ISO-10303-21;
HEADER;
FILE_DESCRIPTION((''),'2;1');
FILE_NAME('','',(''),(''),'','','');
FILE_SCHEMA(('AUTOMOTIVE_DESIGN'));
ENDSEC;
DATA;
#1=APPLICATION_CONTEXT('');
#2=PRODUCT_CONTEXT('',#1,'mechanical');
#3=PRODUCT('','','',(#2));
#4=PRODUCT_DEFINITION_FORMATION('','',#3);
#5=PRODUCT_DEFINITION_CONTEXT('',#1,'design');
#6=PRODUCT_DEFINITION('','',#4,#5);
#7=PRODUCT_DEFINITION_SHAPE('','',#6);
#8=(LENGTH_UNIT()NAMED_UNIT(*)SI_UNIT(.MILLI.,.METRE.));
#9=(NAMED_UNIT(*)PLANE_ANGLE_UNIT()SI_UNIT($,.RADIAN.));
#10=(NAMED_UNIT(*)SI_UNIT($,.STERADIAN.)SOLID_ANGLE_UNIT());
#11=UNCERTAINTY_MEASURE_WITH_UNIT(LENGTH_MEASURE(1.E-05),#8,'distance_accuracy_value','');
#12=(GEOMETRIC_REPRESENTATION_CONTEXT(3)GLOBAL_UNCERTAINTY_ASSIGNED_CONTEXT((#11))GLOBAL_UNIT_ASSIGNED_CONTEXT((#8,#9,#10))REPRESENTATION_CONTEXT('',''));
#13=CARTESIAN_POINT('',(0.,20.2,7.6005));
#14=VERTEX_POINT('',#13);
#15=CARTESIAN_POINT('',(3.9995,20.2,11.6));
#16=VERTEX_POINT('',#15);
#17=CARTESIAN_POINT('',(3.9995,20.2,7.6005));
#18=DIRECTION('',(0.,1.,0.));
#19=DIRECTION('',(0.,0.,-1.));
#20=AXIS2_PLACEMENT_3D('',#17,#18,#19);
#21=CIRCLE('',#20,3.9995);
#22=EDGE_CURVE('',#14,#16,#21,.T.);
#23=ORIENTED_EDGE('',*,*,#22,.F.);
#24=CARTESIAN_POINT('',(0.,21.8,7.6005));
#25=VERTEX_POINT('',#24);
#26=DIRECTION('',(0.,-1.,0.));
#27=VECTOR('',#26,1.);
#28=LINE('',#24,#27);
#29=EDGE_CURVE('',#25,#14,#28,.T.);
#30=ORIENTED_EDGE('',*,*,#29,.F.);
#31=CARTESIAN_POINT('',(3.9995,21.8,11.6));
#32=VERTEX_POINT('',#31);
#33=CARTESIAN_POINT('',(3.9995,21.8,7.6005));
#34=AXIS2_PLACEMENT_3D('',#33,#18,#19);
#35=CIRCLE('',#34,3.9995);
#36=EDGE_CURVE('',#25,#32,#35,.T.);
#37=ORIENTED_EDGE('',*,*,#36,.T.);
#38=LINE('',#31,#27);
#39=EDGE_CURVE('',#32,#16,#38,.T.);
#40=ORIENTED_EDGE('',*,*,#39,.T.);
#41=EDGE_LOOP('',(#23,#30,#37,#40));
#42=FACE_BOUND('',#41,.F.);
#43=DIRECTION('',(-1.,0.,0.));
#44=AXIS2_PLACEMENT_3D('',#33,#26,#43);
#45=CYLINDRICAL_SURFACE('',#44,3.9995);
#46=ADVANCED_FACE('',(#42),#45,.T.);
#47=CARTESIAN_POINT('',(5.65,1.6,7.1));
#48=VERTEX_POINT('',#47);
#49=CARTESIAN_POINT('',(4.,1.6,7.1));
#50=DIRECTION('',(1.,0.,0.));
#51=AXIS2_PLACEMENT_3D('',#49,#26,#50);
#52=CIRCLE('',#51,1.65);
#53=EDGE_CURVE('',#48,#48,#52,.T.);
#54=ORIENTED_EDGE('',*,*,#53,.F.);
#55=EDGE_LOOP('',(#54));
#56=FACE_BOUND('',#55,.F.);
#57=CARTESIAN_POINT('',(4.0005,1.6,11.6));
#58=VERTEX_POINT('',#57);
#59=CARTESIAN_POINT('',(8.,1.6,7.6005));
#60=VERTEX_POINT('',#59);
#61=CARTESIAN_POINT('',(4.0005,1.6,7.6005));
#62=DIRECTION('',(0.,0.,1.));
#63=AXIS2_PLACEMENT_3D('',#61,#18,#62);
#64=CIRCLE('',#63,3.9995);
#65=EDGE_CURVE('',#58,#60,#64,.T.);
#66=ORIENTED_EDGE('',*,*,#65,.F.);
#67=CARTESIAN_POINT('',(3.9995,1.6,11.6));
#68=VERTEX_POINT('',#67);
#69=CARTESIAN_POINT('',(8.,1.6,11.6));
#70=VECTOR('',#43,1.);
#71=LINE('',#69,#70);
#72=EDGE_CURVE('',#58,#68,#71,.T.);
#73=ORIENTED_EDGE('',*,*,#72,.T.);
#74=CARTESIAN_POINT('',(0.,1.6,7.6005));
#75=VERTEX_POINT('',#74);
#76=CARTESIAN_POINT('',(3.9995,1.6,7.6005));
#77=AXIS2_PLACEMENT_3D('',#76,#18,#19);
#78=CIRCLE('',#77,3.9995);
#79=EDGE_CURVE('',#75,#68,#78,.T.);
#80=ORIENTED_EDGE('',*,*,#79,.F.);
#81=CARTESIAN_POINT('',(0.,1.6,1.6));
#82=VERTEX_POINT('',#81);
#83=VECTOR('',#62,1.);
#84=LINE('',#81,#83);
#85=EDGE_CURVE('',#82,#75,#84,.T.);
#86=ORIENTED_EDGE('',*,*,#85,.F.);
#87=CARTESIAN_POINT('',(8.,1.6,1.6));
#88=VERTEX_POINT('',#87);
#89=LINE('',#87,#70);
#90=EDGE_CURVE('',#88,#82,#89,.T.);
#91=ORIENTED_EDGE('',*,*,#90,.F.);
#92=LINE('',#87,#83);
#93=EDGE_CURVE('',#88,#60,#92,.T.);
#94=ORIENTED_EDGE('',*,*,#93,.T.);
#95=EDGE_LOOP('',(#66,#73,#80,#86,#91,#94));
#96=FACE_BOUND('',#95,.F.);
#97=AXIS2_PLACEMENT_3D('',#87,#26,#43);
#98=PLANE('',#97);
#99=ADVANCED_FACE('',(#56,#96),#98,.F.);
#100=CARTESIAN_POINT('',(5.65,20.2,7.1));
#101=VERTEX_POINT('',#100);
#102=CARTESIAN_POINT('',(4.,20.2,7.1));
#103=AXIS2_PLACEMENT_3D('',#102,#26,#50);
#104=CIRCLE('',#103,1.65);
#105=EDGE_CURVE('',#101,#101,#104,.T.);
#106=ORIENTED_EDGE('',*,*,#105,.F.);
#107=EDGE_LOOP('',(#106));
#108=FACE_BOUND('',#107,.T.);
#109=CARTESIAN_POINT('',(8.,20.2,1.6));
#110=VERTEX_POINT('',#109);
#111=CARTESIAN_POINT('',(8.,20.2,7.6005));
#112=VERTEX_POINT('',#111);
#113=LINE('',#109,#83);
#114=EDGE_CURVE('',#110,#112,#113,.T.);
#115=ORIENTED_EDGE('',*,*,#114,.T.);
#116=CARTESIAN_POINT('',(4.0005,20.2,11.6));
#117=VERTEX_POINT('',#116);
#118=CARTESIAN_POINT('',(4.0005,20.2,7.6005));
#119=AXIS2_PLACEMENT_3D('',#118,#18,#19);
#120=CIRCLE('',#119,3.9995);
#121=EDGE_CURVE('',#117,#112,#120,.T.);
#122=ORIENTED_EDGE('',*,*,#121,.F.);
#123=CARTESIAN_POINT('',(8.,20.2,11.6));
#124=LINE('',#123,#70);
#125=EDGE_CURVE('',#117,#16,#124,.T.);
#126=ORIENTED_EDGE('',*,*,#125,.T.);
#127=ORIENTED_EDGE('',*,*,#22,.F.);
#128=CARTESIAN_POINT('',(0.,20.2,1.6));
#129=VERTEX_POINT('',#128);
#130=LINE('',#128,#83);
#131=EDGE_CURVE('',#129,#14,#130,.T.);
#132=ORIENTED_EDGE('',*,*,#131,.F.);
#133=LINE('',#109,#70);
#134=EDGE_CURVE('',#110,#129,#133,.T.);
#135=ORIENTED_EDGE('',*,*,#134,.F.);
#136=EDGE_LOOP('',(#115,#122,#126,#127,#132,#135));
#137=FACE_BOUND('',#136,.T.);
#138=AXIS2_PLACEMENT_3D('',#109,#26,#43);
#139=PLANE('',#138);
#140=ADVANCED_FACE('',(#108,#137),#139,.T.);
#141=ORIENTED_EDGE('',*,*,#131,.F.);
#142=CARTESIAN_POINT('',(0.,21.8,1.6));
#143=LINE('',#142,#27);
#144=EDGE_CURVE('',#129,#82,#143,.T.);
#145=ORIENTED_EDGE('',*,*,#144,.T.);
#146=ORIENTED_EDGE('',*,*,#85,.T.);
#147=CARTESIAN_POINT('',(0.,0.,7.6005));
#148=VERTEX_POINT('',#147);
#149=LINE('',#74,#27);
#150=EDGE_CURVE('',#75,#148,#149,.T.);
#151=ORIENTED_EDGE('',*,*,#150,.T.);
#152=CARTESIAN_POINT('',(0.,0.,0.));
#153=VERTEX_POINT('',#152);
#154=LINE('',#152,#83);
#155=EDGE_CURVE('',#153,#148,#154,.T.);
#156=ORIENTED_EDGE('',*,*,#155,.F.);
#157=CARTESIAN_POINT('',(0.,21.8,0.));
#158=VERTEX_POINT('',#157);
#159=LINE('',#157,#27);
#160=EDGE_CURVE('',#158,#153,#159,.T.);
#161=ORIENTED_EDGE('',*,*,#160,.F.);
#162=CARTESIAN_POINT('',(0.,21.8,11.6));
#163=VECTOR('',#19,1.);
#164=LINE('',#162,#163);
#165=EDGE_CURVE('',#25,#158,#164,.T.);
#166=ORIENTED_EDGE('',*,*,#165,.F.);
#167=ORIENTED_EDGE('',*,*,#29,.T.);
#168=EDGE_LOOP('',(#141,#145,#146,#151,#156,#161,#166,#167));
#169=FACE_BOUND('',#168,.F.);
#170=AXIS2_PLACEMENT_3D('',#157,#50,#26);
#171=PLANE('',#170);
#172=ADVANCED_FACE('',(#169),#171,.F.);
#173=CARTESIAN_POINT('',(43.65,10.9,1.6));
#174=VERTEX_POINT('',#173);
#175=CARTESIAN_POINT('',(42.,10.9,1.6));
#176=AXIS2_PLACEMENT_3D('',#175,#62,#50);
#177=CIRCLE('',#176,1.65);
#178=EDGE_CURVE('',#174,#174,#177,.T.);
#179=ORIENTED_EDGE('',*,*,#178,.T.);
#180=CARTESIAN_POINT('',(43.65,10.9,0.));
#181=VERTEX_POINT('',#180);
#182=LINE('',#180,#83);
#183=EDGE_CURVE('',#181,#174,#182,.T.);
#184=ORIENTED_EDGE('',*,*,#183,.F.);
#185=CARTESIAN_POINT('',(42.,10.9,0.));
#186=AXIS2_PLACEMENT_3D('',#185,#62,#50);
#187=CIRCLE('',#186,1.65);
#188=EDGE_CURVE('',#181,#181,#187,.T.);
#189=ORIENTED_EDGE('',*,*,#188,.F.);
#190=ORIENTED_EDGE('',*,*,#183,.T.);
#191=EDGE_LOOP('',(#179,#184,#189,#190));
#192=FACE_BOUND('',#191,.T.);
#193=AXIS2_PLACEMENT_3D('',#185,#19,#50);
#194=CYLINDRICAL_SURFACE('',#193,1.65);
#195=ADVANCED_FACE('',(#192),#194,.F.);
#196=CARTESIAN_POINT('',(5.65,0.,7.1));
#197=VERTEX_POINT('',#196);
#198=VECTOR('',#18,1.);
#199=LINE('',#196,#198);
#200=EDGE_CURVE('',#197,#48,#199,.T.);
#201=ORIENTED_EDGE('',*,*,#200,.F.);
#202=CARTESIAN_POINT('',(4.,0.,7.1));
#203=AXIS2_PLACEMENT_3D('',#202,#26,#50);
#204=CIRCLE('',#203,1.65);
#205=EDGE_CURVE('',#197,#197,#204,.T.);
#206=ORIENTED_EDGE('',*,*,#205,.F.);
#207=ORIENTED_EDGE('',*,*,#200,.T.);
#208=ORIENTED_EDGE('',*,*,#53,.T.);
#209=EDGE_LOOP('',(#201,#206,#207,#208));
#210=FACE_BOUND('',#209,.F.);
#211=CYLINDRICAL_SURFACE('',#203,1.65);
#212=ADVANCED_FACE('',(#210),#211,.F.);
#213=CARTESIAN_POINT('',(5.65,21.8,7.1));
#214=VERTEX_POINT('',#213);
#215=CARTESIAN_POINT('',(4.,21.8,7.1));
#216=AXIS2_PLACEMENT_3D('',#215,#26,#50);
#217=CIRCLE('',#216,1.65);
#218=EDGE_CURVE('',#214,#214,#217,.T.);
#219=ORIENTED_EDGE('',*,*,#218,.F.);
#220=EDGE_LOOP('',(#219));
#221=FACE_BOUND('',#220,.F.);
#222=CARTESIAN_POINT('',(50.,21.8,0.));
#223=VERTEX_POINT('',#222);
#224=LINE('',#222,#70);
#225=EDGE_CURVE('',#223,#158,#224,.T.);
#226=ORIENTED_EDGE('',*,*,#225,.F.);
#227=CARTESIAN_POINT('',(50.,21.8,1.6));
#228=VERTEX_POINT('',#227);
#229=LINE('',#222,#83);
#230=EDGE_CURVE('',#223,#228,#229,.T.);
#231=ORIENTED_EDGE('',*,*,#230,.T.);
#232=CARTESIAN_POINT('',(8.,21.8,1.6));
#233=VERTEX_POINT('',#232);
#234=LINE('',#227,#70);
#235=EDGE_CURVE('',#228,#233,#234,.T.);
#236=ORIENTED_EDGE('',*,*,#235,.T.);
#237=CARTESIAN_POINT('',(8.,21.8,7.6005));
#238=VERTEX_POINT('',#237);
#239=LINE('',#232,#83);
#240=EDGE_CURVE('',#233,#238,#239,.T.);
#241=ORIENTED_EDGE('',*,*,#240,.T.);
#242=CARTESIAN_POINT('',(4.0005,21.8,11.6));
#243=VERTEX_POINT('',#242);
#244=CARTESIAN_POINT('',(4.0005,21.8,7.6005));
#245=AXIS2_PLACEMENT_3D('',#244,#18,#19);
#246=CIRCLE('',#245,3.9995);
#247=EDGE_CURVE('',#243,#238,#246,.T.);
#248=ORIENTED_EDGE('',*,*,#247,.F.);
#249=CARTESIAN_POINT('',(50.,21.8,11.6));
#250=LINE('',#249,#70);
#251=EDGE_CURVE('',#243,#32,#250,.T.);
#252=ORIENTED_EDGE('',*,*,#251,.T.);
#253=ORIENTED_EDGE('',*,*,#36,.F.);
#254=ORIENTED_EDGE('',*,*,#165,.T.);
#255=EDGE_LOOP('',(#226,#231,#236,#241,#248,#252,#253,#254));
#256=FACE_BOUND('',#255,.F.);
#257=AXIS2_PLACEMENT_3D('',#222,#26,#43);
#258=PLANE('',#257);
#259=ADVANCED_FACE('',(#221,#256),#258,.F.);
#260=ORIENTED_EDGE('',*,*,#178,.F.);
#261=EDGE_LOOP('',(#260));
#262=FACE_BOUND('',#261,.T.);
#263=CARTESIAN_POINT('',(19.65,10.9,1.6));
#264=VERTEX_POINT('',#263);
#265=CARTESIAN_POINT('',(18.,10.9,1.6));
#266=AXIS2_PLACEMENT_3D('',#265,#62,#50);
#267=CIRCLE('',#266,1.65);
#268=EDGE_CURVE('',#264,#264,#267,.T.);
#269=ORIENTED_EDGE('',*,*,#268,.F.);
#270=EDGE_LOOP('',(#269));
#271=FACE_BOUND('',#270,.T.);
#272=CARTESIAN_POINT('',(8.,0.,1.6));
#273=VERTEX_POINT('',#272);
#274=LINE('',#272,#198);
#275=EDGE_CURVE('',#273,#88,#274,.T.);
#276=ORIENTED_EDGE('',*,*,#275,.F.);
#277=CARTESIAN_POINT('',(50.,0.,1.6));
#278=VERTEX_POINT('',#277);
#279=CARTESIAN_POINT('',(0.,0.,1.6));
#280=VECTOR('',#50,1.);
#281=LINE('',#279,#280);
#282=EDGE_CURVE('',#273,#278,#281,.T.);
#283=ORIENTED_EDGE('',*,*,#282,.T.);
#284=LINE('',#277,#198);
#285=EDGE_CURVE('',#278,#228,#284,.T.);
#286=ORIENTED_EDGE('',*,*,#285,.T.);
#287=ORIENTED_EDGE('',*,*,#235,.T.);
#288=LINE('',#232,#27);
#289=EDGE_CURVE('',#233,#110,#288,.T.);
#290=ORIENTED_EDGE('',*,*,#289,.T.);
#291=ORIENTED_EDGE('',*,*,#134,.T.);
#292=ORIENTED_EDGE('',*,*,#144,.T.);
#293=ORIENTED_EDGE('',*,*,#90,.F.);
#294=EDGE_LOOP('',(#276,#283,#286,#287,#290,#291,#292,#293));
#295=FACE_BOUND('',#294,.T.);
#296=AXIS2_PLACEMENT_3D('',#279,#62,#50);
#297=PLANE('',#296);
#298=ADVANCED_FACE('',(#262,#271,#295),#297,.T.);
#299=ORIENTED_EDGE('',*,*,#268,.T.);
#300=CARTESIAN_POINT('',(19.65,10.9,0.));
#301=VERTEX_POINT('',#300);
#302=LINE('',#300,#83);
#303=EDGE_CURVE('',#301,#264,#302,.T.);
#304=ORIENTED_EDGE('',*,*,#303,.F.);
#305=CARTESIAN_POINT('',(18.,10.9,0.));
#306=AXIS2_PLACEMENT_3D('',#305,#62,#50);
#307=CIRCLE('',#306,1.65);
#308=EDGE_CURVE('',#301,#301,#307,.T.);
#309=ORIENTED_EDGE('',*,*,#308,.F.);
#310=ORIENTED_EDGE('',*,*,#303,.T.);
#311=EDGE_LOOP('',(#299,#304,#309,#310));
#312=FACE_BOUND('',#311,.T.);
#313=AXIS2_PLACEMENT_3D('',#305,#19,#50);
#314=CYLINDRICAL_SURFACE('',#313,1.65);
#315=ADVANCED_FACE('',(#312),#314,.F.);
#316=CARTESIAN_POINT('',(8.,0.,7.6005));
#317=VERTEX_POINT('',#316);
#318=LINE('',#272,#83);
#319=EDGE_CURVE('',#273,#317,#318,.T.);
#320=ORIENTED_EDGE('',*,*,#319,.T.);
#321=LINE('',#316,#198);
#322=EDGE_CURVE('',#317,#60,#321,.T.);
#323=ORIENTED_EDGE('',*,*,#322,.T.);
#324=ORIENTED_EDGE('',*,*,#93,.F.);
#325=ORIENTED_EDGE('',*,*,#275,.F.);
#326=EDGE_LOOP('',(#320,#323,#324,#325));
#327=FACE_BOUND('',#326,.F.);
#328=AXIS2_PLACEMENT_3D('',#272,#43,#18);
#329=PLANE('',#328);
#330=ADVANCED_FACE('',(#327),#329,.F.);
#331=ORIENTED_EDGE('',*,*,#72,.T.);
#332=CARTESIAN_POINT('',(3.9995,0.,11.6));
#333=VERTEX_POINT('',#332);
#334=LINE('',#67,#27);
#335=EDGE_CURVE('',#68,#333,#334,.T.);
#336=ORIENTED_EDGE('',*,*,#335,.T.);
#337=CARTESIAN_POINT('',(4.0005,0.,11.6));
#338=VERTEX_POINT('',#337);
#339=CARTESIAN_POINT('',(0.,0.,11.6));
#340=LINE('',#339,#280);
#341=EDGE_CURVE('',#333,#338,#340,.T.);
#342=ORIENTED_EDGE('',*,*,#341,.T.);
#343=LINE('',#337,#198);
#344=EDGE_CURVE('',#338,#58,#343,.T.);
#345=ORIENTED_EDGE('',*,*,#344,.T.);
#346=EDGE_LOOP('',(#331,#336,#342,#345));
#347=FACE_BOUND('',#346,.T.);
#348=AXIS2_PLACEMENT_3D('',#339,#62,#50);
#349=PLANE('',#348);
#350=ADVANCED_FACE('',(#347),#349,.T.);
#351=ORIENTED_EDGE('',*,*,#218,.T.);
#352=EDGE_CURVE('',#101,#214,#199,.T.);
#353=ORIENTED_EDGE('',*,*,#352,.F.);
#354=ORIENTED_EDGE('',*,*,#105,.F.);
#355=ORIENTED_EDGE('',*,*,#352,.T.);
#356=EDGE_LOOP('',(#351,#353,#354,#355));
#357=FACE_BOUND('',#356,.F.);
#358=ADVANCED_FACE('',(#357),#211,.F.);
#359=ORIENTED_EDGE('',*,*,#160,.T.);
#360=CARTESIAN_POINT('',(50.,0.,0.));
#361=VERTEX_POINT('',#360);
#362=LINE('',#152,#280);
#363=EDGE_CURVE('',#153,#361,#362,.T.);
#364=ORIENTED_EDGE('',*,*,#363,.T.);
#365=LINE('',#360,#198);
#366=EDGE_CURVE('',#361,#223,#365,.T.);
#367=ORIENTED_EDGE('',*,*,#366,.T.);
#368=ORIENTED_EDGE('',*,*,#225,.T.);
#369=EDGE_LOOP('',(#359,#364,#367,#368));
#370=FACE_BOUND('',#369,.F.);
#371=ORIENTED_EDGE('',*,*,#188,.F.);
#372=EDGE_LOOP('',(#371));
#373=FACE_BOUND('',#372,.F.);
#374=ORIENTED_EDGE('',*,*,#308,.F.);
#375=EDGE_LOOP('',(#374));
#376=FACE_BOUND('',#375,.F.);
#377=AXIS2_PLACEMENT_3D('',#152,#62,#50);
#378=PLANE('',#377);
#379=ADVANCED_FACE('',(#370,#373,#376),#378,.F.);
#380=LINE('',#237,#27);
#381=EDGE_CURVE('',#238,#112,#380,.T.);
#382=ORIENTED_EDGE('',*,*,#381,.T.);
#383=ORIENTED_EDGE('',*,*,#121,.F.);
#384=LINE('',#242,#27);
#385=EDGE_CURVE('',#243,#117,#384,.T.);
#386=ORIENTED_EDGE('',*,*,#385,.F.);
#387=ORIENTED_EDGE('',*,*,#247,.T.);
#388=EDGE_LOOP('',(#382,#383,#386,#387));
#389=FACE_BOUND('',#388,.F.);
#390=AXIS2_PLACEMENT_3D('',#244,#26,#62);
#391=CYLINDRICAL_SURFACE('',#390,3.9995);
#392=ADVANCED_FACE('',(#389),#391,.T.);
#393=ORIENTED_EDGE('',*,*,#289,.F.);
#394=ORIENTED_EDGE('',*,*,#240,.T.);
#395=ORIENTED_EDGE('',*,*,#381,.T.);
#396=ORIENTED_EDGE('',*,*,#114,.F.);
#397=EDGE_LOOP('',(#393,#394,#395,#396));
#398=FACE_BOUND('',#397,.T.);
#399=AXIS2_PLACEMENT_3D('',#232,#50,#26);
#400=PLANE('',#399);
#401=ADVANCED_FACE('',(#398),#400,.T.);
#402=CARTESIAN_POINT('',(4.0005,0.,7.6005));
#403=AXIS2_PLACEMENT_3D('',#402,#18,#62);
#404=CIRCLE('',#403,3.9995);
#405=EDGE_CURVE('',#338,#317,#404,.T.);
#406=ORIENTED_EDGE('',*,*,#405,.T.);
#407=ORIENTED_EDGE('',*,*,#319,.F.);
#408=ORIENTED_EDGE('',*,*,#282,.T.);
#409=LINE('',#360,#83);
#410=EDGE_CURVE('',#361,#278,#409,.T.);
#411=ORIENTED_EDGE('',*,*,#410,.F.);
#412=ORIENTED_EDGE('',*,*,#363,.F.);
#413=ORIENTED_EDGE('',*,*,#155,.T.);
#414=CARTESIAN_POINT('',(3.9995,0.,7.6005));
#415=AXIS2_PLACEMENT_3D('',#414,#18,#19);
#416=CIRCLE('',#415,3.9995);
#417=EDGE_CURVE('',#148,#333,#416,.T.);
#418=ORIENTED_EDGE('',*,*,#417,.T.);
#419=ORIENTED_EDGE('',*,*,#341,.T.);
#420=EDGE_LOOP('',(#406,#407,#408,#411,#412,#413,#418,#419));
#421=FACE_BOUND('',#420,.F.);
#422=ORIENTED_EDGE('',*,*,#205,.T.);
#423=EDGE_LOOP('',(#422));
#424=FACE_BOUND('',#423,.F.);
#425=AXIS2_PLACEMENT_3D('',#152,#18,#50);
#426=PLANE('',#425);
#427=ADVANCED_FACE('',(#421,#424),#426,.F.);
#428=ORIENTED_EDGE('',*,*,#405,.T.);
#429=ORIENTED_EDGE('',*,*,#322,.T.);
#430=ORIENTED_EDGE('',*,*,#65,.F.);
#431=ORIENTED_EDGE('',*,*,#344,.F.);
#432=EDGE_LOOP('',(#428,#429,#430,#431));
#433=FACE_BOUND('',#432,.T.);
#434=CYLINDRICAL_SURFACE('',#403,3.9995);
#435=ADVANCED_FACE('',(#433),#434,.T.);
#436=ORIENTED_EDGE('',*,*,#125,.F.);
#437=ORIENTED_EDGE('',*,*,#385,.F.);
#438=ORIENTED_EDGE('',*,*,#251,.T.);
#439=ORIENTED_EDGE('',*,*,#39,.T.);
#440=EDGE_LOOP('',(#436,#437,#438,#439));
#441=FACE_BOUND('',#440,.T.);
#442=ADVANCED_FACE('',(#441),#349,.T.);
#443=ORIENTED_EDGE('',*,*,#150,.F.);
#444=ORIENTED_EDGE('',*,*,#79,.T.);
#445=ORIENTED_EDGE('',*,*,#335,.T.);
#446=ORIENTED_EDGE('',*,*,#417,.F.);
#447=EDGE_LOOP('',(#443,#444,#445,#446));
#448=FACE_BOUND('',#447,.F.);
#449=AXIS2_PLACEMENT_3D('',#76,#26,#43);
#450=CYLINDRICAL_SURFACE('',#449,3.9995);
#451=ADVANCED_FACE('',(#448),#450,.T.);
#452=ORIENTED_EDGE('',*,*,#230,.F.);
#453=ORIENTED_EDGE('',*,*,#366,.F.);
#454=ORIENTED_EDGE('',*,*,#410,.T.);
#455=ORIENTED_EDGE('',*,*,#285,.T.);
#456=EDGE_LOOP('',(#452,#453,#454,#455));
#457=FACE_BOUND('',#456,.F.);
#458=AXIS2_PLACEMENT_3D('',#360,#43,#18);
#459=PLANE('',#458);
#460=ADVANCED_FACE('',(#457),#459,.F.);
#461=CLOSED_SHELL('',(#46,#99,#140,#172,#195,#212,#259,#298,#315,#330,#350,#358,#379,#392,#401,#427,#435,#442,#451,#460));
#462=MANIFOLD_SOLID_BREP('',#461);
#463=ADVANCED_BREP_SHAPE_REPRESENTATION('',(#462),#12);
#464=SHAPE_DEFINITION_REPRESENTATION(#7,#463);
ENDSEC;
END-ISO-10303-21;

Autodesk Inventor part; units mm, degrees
ref_plane "YZ Plane" through (0, 0, 0) normal (1, 0, 0) x (0, 1, 0)
ref_plane "XZ Plane" through (0, 0, 0) normal (0, 1, 0) x (-1, 0, 0)
ref_plane "XY Plane" through (0, 0, 0) normal (0, 0, 1) x (1, 0, 0)
sketch "Sketch1" plane through (0, 0, 0) normal (0, 0, 1) x (1, 0, 0)
  line L0 (0, 0) -> (50, 0)
  line L1 (50, 0) -> (50, 21.8)
  line L2 (50, 21.8) -> (0, 21.8)
  line L3 (0, 21.8) -> (0, 0)
  circle A0 centre (42, 10.9) radius 1.65
  circle A1 centre (18, 10.9) radius 1.65
  dimension "d0" = 50
  dimension "d1" = 21.8
  dimension "d15" = 3.3
  dimension "d16" = 3.3
  dimension "d17" = 24
  dimension "d18" = 8
  dimension "d19" = 10.9
  dimension "d20" = 10.9
extrude "Extrusion1" add sketch "Sketch1" along normal blind 1.6
sketch "Sketch2" plane through (0, 0, 1.6) normal (0, 0, 1) x (1, 0, 0)
  line L0 (0, 21.8) -> (0, 0) projected
  line L1 (0, 0) -> (8, 0)
  line L2 (8, 0) -> (8, 1.6)
  line L3 (8, 1.6) -> (0, 1.6)
  line L4 (0, 1.6) -> (0, 0)
  line L5 (50, 21.8) -> (0, 21.8) projected
  line L6 (0, 21.8) -> (8, 21.8)
  line L7 (8, 21.8) -> (8, 20.2)
  line L8 (8, 20.2) -> (0, 20.2)
  line L9 (0, 20.2) -> (0, 21.8)
  point P0 (0, 20.2)
  dimension "d4" = 8
  dimension "d5" = 1.6
  dimension "d6" = 8
  dimension "d7" = 1.6
extrude "Extrusion2" add sketch "Sketch2" along normal blind 10
sketch "Sketch3" plane through (0, 0, 0) normal (0, -1, 0) x (1, 0, 0)
  circle A0 centre (4, 7.1) radius 1.65
  line L0 (0, 0) -> (0, 11.6) projected
  line L1 (0, 11.6) -> (8, 11.6) projected
  line L2 (0, 0) -> (50, 0) projected
  dimension "d10" = 3.3
  dimension "d11" = 4
  dimension "d21" = 7.1
extrude "Extrusion3" cut sketch "Sketch3" against normal blind 25
fillet "Fillet1" radius 4 4 edges at (8, 0.8, 11.6) (8, 21, 11.6) (0, 0.8, 11.6) (0, 21, 11.6)
properties part number "Base"
